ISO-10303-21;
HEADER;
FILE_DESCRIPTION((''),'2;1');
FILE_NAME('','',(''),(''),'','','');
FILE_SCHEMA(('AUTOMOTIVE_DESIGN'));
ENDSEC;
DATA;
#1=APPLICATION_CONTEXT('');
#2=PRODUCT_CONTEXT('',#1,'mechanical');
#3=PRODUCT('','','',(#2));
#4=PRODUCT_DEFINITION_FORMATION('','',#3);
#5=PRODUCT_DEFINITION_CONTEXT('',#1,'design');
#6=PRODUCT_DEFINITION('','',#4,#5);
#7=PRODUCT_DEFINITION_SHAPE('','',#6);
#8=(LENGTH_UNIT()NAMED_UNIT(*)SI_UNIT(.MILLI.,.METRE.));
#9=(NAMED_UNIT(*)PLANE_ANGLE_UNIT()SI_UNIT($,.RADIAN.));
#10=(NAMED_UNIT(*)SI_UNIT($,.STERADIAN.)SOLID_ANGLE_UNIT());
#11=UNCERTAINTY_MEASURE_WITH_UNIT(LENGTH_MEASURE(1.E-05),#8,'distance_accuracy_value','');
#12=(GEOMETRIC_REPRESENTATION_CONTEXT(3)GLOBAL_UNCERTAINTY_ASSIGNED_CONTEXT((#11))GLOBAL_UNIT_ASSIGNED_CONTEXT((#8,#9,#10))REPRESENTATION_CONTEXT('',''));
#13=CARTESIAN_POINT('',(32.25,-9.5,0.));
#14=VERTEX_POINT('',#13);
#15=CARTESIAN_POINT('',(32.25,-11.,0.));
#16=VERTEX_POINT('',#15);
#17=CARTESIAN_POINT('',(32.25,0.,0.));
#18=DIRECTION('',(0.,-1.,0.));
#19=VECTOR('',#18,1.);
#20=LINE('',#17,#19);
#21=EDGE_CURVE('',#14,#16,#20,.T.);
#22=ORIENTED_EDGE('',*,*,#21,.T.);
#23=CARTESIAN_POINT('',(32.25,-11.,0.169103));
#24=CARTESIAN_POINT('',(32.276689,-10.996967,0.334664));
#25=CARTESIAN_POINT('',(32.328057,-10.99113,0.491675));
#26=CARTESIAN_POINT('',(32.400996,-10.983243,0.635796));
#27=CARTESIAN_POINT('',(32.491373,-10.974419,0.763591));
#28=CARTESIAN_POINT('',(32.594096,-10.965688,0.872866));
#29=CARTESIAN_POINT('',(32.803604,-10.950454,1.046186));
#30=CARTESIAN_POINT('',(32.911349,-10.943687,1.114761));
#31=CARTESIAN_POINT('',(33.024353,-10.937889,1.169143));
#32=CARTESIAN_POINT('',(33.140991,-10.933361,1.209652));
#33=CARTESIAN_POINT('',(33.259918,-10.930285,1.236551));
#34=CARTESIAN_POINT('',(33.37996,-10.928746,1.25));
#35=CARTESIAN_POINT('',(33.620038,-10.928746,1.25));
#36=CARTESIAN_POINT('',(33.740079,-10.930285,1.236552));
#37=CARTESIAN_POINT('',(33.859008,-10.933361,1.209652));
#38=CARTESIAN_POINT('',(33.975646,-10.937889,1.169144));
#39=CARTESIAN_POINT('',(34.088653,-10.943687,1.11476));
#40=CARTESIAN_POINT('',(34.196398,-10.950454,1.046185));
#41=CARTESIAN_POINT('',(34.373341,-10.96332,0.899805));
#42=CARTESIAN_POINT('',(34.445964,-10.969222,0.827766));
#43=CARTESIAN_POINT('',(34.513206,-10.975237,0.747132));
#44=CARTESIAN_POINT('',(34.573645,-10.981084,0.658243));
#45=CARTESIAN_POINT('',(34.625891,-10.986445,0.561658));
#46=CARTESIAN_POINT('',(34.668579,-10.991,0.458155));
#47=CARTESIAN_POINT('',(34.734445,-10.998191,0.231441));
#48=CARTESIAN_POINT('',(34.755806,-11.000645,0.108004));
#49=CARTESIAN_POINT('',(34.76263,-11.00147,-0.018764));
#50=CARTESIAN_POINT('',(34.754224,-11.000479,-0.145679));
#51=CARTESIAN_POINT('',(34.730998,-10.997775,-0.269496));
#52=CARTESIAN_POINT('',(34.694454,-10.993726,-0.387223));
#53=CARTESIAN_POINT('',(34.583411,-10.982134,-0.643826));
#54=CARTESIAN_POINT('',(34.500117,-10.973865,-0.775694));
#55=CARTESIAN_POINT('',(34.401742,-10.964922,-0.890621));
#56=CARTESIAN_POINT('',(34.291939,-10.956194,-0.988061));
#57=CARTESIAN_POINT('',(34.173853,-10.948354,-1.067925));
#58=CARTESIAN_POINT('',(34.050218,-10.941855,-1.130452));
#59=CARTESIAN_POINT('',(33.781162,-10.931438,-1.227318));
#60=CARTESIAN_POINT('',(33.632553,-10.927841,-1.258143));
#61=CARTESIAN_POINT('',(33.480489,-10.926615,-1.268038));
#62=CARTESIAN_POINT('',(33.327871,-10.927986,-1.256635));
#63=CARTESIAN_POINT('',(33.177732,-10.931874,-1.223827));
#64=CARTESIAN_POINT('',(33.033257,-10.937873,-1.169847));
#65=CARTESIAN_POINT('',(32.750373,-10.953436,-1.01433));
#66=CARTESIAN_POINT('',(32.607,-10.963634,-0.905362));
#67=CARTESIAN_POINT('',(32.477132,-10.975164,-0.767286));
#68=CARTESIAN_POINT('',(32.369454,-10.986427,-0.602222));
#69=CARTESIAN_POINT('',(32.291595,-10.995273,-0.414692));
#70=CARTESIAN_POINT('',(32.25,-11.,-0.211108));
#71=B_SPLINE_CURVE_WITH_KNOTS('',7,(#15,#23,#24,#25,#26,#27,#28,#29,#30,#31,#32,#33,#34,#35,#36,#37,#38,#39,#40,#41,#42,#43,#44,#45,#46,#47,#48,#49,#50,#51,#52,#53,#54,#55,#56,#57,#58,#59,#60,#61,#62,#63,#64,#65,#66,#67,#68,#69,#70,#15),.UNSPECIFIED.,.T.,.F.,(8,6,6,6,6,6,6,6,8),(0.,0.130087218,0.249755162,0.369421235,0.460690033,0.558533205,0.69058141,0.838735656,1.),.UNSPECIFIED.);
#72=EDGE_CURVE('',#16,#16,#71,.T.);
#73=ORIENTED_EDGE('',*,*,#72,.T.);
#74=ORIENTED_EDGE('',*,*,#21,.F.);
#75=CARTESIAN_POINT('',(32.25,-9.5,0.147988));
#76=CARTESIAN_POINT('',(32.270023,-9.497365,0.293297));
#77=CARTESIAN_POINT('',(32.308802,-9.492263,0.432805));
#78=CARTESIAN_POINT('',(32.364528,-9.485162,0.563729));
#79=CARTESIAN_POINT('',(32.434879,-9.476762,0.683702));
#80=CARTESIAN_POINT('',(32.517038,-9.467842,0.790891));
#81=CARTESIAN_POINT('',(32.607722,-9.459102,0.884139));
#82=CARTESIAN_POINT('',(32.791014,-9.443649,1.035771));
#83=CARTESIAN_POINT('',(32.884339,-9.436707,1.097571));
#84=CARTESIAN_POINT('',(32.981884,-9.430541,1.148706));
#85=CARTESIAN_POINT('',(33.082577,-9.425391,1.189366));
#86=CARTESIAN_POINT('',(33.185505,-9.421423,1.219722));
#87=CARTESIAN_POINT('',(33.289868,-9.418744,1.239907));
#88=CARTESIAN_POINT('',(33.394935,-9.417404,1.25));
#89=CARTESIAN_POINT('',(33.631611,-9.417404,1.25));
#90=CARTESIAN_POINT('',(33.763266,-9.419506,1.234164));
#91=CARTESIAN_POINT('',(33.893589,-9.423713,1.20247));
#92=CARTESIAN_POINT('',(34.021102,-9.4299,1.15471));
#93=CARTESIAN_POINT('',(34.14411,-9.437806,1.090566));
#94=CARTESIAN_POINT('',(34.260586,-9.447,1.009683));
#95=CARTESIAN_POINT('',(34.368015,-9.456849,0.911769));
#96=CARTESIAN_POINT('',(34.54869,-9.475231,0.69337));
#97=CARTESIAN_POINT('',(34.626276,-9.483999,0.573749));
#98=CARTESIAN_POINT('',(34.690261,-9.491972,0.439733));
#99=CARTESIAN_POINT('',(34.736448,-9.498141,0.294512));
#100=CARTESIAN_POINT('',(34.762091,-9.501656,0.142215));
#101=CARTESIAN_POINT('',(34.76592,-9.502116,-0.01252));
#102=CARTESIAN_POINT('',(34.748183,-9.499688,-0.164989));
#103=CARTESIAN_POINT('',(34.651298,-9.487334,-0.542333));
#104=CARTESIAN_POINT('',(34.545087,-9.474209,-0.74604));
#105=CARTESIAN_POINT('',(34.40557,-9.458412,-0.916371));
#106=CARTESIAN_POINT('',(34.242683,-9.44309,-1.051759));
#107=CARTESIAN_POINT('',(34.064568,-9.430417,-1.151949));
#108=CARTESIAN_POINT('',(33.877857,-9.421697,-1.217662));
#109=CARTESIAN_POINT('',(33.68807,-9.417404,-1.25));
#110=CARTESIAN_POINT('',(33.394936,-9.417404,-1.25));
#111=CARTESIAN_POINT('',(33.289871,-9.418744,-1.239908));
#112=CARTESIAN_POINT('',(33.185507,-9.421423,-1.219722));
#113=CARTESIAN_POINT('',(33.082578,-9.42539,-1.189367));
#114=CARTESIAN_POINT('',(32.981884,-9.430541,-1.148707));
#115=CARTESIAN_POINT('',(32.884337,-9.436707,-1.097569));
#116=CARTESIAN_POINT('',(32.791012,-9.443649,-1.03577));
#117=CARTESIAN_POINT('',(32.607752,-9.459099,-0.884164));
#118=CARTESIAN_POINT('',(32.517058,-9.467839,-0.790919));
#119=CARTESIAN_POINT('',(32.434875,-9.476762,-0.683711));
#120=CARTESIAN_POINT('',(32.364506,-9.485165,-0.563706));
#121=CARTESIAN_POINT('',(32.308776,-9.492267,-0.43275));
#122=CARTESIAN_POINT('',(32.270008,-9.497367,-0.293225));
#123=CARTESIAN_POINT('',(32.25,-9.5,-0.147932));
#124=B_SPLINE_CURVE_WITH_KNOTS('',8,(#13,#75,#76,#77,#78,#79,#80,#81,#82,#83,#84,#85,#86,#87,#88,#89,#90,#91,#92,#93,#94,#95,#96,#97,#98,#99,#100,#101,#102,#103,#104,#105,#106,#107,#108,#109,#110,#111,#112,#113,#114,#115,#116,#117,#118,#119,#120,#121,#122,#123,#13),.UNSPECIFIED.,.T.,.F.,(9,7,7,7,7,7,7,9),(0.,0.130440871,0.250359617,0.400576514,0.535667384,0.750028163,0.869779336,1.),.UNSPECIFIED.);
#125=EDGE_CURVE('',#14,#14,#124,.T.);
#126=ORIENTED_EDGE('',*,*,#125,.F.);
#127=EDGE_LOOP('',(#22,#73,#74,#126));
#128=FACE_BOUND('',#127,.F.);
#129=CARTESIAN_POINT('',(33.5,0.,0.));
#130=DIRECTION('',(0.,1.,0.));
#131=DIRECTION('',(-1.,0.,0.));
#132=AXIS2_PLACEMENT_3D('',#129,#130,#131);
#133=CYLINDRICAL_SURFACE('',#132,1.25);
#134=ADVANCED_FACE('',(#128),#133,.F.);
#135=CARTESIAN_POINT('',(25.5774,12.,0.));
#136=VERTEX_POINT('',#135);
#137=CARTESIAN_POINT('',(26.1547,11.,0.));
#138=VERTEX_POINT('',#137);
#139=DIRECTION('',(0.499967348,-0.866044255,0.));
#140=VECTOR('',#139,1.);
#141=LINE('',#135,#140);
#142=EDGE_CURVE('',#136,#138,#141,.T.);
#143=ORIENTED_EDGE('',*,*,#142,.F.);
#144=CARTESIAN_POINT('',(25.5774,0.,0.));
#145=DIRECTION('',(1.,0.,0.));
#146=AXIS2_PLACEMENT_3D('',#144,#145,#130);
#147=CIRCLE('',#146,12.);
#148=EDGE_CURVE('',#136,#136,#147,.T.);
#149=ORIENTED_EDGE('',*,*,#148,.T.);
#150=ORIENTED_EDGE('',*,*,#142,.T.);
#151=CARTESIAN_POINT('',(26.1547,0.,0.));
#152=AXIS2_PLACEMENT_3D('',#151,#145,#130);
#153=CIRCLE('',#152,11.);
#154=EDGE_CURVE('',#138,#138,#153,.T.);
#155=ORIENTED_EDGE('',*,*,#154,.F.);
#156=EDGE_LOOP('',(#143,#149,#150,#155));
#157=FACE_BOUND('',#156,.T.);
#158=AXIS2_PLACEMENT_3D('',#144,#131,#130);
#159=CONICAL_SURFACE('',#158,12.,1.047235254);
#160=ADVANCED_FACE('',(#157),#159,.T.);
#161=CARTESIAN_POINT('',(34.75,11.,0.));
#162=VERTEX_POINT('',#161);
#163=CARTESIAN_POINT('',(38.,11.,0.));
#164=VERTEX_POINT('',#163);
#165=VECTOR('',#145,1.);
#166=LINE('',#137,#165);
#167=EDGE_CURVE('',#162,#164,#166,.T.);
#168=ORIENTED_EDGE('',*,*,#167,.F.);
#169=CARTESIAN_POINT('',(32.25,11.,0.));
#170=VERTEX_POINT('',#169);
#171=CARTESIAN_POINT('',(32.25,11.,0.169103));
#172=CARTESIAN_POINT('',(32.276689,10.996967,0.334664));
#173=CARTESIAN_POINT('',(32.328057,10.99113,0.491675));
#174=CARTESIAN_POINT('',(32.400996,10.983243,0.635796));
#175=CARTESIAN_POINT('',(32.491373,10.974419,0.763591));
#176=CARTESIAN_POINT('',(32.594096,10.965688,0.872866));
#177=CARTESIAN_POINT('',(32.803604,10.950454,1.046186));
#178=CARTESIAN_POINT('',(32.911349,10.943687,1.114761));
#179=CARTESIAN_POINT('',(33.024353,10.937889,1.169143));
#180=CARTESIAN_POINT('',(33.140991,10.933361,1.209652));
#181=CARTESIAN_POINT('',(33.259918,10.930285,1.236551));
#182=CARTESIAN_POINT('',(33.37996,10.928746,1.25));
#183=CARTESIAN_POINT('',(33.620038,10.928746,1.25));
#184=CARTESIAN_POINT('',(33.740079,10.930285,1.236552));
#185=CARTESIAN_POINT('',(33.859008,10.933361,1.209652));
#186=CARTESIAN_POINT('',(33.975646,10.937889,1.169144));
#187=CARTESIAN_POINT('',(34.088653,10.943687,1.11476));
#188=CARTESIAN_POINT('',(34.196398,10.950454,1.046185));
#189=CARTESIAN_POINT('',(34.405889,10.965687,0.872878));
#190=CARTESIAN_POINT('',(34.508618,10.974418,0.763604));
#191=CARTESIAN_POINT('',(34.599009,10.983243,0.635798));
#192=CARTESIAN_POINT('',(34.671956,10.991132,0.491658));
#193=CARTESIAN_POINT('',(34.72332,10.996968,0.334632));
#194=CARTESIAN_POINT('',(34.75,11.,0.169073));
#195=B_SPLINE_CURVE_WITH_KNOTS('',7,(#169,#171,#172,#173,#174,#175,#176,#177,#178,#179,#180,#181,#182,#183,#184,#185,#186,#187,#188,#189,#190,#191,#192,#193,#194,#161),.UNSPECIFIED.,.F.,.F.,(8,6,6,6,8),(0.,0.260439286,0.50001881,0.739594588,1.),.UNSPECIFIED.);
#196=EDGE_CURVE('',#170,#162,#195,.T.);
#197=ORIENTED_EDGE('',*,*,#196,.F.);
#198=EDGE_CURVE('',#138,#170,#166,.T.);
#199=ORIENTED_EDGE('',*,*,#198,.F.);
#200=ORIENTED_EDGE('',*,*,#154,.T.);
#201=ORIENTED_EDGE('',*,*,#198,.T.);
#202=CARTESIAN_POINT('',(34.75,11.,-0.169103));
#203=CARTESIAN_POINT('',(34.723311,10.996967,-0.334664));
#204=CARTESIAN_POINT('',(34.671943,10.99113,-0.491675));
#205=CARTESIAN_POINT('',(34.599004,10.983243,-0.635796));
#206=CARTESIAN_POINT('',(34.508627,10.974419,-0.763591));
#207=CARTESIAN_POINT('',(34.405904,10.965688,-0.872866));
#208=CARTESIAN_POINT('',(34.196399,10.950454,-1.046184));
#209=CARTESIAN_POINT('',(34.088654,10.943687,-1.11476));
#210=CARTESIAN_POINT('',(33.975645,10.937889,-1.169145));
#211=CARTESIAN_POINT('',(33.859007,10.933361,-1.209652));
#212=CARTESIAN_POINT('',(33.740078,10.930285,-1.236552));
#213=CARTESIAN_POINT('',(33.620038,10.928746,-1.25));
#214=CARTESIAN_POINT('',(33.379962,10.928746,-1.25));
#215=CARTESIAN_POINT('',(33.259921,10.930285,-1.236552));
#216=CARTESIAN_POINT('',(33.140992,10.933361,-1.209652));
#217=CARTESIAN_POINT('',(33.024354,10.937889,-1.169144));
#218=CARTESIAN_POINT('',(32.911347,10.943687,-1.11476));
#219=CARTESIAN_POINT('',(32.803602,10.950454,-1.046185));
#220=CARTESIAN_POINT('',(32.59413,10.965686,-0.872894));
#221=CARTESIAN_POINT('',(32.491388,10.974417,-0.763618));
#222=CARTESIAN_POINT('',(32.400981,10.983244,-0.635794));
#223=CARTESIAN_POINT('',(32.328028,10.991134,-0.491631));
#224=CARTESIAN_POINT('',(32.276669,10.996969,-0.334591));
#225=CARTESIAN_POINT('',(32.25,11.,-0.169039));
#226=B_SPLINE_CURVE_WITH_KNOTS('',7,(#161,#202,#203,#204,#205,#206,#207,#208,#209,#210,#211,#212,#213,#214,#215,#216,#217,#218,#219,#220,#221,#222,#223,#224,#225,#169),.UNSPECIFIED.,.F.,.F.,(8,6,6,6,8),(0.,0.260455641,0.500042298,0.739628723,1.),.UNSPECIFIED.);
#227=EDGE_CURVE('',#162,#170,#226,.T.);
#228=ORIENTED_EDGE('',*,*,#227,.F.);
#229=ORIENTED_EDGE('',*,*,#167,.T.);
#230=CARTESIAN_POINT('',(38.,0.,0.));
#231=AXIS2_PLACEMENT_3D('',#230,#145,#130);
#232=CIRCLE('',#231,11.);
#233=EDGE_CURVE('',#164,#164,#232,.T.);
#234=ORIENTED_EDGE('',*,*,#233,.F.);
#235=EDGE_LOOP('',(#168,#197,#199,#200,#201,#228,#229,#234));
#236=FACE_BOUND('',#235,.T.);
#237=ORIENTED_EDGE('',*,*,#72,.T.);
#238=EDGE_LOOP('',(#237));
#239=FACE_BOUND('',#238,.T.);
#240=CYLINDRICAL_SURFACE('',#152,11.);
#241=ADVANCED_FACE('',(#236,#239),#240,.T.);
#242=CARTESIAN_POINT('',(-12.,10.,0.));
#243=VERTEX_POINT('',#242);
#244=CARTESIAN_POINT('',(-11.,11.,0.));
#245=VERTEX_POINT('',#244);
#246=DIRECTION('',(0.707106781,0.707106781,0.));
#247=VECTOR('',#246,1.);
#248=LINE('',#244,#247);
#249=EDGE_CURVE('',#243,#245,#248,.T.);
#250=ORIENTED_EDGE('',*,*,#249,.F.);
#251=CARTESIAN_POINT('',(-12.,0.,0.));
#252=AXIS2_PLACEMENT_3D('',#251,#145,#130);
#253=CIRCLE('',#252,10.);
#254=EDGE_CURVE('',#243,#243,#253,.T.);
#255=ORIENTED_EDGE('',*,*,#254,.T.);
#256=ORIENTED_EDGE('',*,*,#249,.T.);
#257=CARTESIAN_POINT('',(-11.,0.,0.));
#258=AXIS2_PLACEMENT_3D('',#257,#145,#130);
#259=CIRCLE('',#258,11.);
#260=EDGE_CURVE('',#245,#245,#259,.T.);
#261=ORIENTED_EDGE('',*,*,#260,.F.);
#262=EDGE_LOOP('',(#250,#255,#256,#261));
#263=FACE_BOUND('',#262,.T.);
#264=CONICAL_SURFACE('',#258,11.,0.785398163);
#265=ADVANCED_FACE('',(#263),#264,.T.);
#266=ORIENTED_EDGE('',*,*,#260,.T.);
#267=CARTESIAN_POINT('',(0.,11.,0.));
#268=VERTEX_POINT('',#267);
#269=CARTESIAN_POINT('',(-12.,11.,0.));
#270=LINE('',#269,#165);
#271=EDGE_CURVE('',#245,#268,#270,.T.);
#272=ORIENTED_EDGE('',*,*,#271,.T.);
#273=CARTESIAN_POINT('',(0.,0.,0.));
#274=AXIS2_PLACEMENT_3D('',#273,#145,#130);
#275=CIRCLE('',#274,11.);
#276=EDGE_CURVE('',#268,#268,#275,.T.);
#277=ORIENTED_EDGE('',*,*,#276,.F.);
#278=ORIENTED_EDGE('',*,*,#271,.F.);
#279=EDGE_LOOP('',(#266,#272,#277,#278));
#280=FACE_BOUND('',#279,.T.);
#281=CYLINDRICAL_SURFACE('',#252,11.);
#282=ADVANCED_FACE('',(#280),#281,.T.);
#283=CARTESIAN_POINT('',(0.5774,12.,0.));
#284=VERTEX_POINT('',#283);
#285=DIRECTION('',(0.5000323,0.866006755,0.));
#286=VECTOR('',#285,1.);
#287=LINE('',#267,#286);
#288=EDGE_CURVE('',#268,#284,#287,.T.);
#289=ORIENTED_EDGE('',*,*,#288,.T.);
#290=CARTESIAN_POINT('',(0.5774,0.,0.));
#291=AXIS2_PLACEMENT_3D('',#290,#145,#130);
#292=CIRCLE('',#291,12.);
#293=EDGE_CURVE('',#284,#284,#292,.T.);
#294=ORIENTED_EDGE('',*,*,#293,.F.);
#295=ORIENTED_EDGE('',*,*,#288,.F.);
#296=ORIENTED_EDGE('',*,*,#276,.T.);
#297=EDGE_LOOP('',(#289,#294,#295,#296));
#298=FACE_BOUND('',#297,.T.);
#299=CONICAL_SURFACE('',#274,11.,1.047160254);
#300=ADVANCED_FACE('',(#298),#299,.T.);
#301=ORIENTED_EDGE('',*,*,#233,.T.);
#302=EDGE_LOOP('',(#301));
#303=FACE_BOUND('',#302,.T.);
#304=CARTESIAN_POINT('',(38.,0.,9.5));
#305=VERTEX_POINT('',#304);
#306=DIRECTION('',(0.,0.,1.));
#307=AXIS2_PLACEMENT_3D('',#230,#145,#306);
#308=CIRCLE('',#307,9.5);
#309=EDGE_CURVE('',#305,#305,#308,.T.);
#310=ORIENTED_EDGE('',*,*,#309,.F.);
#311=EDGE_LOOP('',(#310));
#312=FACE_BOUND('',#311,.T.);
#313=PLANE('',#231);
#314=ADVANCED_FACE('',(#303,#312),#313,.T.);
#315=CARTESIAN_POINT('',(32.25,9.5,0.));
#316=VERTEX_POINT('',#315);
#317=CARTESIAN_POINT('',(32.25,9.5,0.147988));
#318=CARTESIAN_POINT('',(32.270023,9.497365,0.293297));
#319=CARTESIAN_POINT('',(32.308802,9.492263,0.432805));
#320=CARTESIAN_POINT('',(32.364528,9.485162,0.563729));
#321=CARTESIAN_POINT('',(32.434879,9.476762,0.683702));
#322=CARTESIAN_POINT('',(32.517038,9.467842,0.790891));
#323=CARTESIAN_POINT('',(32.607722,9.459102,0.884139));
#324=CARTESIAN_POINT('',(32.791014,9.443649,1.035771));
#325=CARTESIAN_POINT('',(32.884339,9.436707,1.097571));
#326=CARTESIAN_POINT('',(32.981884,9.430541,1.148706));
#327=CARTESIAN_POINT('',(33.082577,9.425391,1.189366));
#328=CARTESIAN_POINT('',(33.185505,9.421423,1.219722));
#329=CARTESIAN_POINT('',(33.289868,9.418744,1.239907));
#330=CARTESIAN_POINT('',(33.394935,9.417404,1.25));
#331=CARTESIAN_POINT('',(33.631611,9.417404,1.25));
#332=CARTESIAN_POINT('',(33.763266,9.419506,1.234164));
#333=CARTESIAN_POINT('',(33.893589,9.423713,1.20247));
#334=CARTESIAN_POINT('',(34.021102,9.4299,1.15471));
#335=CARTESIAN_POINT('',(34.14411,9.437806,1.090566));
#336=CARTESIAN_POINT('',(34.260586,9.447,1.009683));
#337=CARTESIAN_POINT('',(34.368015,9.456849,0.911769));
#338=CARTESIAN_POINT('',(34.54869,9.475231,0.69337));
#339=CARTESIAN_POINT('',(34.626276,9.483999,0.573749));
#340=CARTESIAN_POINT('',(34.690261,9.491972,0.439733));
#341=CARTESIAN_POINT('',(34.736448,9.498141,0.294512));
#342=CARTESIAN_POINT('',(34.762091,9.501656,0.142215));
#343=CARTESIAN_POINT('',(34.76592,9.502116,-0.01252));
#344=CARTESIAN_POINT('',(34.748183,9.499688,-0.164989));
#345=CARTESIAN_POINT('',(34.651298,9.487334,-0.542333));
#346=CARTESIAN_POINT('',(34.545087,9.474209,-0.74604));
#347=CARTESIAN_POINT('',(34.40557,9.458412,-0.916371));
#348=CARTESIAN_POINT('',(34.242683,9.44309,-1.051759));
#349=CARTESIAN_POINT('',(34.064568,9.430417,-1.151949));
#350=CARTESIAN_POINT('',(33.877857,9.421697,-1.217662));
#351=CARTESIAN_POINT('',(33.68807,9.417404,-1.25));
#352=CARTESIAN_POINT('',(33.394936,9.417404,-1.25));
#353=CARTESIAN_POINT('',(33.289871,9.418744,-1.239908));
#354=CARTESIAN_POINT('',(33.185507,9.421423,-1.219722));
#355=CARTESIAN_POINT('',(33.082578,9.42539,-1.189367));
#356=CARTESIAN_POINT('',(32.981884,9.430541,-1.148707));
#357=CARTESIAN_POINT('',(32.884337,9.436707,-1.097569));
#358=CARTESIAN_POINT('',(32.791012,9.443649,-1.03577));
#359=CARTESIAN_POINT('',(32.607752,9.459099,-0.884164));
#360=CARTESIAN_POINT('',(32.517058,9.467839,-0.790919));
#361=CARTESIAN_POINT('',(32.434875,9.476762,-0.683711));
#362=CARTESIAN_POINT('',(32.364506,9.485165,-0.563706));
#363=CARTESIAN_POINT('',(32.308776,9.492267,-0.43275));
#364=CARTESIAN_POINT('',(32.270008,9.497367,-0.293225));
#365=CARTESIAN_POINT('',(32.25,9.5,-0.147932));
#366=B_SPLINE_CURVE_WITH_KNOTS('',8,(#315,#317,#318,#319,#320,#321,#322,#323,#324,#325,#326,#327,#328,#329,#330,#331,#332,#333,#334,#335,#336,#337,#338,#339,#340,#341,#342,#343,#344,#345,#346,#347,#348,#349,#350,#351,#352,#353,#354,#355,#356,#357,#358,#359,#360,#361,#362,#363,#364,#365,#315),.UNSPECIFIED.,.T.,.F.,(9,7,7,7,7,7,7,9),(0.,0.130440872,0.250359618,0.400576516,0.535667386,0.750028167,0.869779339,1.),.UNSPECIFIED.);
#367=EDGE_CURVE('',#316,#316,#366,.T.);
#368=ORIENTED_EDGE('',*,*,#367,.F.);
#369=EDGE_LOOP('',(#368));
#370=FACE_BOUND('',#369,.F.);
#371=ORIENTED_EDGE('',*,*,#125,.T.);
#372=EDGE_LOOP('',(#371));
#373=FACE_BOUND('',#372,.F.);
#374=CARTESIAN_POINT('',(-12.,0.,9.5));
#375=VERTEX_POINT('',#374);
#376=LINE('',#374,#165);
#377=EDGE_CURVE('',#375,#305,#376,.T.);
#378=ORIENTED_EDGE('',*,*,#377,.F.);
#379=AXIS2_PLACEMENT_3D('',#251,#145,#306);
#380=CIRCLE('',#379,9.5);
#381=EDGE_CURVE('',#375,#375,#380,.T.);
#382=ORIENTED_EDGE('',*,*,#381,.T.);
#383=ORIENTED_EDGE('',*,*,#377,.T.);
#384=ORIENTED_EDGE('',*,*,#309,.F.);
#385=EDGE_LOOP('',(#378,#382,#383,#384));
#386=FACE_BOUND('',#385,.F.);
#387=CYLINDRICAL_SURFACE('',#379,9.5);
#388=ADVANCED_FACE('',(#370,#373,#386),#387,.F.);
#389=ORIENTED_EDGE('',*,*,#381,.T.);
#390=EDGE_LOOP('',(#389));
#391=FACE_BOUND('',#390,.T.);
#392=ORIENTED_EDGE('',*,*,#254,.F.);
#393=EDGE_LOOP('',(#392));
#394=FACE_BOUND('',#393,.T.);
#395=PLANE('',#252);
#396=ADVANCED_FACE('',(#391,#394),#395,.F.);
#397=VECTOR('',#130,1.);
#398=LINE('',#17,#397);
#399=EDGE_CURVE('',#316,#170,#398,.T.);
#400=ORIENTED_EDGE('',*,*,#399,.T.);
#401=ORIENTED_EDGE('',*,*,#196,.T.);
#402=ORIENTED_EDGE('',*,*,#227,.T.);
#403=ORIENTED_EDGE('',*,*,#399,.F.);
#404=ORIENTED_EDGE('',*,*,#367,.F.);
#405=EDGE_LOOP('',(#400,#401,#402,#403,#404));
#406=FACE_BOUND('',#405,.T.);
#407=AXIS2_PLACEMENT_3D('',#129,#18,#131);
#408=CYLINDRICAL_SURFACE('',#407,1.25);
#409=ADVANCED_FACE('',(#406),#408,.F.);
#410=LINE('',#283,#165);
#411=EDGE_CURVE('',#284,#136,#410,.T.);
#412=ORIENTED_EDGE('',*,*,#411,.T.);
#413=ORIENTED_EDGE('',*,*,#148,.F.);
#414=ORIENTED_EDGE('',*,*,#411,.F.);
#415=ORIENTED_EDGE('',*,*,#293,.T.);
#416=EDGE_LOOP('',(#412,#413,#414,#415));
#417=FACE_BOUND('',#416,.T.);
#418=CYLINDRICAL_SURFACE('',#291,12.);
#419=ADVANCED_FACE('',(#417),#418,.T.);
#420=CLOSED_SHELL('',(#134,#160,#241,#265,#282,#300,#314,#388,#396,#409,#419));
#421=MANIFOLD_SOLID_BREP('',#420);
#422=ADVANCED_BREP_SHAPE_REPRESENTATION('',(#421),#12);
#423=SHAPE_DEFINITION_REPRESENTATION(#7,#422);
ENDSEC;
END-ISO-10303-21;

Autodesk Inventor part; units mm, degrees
ref_plane "YZ Plane" through (0, 0, 0) normal (1, 0, 0) x (0, 1, 0)
ref_plane "XZ Plane" through (0, 0, 0) normal (0, 1, 0) x (-1, 0, 0)
ref_plane "XY Plane" through (0, 0, 0) normal (0, 0, 1) x (1, 0, 0)
sketch "Profile" plane through (0, 0, 0) normal (0, 0, 1) x (1, 0, 0)
  line L0 (-12, 0) -> (-12, 11)
  line L1 (-12, 11) -> (0, 11)
  line L2 (0, 11) -> (0.5774, 12)
  line L3 (0.5774, 12) -> (25.5774, 12)
  line L4 (25.5774, 12) -> (26.1547, 11)
  line L5 (26.1547, 11) -> (38, 11)
  line L6 (38, 11) -> (38, 0)
  line L7 (-12, 0) -> (0, 0)
  line L8 (0, 0) -> (0, 9)
  line L9 (0, 9) -> (30, 9)
  line L10 (30, 9) -> (30, 0)
  line L11 (30, 0) -> (38, 0)
  line L12 (-22, 0) -> (48, 0) construction
  line L13 (0, 11) -> (0, 9) construction
  dimension "BodyLength" = 50
  dimension "d1" = 11
  dimension "d3" = 120
  dimension "d4" = 120
  dimension "d5" = 25
  dimension "d6" = 12
  dimension "d16" = 8
  dimension "d29" = 1
  dimension "d30" = 9
revolve "ProfileRevolveFeature" add sketch "Profile" angle 360 about axis through (-10, 0, 0) along (1, 0, 0)
sketch "InsideHole" plane through (-12, 0, 0) normal (-1, 0, 0) x (0, 0, 1)
  circle A0 centre (0, 0) radius 9 construction
hole "InsideHoleFeature" at (-12, 0, 0) direction (1, 0, 0) diameter 19 end through all
chamfer "EndChamferFeature" distance 1 angle 45 1 edges at (-12, -11, 0)
sketch "CapMountHole" plane through (0, 0, 0) normal (0, 1, 0) x (-1, 0, 0)
  line L0 (-38, 11) -> (-38, -11) construction
  line L1 (15.2, 0) -> (-91.2, 0) construction
  circle A0 centre (-33.5, 0) radius 1.25
  point P0 (0, 0)
  dimension "d31" = 4.5
  dimension "d39" = 2.5
extrude "CapMountHoleFeature" cut sketch "CapMountHole" along normal through all both and the other way through all
equation "\"d5\" = 0.5 * BodyLength"
equation "\"d6\" = 0.24 * BodyLength"
properties part number "BackPair1PistonBody"
